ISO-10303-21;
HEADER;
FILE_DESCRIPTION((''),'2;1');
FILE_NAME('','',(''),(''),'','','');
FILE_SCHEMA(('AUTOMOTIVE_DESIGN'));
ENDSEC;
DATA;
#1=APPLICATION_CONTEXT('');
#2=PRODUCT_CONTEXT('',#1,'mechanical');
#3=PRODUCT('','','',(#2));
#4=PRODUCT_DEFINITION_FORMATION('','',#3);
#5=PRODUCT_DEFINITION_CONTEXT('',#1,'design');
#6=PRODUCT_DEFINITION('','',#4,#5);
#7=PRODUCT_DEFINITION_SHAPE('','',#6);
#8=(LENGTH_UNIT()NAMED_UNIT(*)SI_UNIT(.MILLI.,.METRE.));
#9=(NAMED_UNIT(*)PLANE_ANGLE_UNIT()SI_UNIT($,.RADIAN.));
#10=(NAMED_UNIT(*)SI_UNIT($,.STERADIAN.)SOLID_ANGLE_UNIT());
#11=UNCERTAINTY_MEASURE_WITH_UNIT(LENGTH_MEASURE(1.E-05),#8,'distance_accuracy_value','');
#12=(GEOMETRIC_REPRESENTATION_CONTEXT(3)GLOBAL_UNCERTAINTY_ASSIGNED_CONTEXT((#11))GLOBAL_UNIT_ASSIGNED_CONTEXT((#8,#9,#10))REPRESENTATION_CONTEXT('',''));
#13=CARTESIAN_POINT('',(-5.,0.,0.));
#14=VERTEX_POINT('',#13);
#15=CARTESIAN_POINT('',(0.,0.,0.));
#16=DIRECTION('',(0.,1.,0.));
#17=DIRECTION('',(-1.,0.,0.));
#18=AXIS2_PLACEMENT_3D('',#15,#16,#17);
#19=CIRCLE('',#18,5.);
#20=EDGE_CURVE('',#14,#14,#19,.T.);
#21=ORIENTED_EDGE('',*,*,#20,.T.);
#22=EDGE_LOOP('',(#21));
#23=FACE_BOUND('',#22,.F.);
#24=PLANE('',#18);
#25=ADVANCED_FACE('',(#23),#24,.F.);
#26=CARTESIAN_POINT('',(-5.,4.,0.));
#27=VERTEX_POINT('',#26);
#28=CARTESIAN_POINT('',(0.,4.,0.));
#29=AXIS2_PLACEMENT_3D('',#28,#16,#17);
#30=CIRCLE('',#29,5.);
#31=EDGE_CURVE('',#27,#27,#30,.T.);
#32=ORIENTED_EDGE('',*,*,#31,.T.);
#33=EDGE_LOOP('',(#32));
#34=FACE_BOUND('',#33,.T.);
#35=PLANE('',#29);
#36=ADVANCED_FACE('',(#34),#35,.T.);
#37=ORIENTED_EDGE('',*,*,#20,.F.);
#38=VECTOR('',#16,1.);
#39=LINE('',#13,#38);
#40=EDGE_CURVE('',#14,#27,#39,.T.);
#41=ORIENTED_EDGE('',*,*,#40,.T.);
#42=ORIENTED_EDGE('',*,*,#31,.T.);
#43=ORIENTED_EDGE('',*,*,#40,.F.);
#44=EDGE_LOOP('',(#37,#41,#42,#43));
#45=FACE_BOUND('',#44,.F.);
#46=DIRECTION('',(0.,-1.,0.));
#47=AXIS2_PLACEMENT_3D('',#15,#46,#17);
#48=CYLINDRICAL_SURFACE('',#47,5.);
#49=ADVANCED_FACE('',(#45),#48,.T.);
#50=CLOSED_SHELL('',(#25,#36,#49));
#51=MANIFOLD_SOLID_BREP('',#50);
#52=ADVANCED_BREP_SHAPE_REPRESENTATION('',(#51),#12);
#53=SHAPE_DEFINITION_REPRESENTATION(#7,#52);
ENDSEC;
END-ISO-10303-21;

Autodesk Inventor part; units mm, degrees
ref_plane "YZ Plane" through (0, 0, 0) normal (1, 0, 0) x (0, 1, 0)
ref_plane "XZ Plane" through (0, 0, 0) normal (0, 1, 0) x (-1, 0, 0)
ref_plane "XY Plane" through (0, 0, 0) normal (0, 0, 1) x (1, 0, 0)
sketch "Sketch1" plane through (0, 0, 0) normal (0, 1, 0) x (-1, 0, 0)
  circle A0 centre (0, 0) radius 5
  dimension "d0" = 10
extrude "Extrusion1" add sketch "Sketch1" along normal blind 4
properties part number "Gear_Trial_1"
